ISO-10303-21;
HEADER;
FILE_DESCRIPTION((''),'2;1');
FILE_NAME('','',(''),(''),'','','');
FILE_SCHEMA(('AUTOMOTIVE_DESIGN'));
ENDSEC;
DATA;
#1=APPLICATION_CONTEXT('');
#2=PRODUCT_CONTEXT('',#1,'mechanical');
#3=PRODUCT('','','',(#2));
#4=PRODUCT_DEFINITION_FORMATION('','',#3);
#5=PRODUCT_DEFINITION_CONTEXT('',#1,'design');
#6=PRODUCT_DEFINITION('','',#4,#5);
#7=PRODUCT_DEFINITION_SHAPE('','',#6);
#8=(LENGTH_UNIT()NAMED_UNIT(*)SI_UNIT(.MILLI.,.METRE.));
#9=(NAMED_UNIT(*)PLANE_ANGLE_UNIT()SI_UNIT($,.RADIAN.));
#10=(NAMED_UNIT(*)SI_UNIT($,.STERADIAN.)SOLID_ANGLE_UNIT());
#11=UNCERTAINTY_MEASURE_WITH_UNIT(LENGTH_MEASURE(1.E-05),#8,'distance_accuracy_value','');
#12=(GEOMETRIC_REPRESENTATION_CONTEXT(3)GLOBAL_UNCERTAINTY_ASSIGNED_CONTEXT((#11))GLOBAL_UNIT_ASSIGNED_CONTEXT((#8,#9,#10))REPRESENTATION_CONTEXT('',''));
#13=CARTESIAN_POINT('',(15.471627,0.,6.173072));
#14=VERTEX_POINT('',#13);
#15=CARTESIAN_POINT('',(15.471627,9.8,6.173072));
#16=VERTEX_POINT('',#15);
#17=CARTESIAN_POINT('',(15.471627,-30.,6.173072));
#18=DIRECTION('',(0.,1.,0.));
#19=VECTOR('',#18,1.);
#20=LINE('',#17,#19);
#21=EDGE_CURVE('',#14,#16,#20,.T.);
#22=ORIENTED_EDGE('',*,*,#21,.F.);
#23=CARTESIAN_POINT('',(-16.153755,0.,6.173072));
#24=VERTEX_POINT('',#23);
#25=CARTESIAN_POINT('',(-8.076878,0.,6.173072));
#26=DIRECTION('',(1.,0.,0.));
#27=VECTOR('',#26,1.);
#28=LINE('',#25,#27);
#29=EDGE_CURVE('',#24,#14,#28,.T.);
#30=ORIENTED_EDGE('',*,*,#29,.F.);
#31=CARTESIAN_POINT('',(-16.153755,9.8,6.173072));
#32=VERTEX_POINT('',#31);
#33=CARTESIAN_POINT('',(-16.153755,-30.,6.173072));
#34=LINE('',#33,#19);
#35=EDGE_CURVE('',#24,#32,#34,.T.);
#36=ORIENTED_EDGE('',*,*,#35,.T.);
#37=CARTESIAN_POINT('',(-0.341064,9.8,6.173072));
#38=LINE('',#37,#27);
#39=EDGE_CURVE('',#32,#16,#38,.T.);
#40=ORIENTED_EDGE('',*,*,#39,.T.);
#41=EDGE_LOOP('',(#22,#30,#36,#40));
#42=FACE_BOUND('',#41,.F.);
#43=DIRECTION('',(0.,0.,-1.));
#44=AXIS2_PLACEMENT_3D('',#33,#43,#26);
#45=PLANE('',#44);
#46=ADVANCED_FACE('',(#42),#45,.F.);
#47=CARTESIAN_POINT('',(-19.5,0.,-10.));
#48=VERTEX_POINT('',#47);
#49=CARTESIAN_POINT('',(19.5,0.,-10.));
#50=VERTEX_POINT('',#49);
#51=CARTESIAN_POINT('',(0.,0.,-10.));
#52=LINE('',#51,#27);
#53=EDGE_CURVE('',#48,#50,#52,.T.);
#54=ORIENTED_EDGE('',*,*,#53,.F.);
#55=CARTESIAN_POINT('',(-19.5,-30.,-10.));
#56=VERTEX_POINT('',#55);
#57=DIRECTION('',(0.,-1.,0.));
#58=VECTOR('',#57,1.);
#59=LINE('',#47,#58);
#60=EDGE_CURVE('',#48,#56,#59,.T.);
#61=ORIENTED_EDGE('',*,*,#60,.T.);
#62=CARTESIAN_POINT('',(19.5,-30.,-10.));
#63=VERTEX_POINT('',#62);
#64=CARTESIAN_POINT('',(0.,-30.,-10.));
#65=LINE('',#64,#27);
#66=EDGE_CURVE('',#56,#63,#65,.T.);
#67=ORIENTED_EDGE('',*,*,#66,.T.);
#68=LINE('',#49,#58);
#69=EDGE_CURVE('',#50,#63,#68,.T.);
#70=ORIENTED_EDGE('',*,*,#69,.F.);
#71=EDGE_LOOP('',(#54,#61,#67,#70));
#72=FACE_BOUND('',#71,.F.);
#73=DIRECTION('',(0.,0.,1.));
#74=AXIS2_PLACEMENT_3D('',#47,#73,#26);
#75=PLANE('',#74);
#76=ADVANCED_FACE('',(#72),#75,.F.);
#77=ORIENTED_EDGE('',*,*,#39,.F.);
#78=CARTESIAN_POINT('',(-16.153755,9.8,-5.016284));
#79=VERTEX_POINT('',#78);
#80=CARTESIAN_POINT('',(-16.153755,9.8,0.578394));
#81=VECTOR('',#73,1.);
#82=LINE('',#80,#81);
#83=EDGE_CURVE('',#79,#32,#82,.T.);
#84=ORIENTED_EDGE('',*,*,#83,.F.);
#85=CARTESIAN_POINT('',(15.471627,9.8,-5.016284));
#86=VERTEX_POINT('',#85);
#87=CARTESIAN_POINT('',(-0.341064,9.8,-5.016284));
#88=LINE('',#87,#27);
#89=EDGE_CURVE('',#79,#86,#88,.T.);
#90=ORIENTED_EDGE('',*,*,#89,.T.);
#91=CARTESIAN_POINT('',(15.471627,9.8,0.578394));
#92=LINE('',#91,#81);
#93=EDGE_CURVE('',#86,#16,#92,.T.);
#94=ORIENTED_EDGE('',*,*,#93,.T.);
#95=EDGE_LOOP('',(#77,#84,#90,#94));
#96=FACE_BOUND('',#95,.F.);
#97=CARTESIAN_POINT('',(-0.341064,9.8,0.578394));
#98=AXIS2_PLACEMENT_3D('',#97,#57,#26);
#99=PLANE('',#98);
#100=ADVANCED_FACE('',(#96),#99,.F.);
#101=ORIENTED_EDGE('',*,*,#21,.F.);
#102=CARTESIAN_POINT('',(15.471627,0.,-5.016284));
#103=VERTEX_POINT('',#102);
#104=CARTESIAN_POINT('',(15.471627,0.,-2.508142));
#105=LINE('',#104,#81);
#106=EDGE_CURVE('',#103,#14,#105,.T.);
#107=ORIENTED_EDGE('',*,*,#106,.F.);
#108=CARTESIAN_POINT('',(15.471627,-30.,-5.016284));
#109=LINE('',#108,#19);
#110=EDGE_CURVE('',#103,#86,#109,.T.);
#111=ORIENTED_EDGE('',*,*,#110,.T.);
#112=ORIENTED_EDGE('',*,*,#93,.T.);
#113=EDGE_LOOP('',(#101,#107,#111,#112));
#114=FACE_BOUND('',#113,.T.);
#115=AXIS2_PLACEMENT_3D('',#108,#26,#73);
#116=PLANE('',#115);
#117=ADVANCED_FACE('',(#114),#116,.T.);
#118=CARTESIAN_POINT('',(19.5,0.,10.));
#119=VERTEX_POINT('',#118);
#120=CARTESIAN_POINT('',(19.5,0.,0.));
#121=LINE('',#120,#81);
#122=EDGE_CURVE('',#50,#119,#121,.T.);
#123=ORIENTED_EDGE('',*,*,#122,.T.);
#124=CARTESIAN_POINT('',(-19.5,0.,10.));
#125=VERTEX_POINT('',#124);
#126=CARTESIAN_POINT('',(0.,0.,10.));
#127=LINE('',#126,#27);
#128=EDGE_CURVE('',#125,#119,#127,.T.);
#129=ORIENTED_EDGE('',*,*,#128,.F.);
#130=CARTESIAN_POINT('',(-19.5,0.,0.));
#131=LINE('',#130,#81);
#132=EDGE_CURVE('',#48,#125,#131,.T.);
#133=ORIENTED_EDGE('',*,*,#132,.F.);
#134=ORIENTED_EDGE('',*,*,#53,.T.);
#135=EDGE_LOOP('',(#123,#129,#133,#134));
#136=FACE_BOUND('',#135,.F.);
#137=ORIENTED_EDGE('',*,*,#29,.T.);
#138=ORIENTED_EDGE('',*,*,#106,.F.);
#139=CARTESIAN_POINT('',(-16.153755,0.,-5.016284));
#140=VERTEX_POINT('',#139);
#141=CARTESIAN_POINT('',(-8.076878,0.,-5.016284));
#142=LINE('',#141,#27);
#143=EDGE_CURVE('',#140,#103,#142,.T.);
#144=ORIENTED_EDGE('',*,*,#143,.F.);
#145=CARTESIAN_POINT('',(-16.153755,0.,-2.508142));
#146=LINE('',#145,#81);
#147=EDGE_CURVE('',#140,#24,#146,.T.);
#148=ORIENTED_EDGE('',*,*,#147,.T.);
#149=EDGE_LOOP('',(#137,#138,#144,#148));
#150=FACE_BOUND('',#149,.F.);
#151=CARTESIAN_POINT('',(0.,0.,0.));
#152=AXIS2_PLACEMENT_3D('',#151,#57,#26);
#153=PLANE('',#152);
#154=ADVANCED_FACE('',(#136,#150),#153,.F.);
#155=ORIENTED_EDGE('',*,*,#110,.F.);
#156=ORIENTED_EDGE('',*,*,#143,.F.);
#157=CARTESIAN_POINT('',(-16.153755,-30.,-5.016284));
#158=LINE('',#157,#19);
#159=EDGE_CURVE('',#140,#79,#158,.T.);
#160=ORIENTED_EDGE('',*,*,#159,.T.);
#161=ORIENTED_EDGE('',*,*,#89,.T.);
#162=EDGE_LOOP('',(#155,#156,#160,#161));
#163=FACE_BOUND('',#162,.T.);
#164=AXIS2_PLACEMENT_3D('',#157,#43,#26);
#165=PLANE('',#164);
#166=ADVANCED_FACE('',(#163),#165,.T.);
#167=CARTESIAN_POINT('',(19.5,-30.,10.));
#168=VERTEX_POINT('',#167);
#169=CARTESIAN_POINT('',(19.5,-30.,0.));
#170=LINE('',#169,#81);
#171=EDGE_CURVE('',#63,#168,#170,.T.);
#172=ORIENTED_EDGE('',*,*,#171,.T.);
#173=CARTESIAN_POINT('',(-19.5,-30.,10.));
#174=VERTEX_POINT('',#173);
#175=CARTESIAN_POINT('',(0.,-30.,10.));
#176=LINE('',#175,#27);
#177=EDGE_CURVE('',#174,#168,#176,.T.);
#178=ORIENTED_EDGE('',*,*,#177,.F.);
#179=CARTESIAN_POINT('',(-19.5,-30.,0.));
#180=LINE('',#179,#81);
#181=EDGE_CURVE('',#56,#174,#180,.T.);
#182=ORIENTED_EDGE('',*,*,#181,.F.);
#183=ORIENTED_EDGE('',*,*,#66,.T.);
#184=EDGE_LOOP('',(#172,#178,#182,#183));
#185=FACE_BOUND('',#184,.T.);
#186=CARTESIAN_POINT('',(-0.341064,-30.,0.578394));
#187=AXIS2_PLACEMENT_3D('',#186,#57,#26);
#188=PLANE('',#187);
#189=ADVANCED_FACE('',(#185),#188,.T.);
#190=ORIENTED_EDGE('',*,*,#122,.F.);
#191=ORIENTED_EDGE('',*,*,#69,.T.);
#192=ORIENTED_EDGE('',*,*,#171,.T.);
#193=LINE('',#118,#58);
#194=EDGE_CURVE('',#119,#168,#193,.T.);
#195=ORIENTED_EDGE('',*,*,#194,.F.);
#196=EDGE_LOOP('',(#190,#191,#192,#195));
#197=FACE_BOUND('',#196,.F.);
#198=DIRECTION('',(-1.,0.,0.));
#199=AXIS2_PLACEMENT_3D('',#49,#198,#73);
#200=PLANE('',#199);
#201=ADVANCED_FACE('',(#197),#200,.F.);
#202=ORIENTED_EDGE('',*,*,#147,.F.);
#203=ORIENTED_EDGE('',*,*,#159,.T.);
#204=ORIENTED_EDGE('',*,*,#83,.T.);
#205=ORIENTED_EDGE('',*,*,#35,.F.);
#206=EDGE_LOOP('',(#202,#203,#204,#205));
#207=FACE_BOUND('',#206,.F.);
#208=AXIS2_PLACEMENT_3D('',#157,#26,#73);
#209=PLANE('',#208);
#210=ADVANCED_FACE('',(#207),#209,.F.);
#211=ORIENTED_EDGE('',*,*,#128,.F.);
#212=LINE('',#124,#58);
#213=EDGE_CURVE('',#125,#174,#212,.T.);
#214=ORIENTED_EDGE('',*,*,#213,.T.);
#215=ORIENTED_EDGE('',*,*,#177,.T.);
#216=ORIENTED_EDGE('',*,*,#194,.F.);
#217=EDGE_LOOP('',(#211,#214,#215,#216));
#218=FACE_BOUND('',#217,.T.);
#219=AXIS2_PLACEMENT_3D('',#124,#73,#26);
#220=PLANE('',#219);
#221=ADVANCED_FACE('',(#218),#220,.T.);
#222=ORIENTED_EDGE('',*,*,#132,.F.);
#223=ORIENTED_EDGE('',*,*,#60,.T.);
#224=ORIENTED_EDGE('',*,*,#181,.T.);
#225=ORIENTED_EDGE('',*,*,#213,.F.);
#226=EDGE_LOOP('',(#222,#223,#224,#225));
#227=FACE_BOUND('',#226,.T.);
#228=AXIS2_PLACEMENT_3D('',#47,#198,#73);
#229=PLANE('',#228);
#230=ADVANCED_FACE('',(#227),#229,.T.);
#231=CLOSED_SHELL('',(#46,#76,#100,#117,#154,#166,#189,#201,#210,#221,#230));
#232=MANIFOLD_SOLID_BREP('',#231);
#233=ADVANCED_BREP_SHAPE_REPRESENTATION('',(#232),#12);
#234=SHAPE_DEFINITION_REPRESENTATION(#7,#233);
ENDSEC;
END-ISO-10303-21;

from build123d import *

# Parameters (mm, degrees)
F0_W     = 39
F0_H     = 20
F1_DEPTH = 30
F2_W     = 31.625382
F2_H     = 11.189356
F3_DEPTH = 39.8


with BuildPart() as f1:
    # F0 (on Front) → F1 (new body)
    with BuildSketch(Plane.XZ):
        Rectangle(F0_W, F0_H)
    extrude(amount=F1_DEPTH)

    # F2 (on face) → F3 (join)
    with BuildSketch(Plane.XZ.offset(30)):
        with Locations((-0.341064, 0.578394)):
            Rectangle(F2_W, F2_H)
    extrude(amount=-F3_DEPTH)


solid = f1.part
